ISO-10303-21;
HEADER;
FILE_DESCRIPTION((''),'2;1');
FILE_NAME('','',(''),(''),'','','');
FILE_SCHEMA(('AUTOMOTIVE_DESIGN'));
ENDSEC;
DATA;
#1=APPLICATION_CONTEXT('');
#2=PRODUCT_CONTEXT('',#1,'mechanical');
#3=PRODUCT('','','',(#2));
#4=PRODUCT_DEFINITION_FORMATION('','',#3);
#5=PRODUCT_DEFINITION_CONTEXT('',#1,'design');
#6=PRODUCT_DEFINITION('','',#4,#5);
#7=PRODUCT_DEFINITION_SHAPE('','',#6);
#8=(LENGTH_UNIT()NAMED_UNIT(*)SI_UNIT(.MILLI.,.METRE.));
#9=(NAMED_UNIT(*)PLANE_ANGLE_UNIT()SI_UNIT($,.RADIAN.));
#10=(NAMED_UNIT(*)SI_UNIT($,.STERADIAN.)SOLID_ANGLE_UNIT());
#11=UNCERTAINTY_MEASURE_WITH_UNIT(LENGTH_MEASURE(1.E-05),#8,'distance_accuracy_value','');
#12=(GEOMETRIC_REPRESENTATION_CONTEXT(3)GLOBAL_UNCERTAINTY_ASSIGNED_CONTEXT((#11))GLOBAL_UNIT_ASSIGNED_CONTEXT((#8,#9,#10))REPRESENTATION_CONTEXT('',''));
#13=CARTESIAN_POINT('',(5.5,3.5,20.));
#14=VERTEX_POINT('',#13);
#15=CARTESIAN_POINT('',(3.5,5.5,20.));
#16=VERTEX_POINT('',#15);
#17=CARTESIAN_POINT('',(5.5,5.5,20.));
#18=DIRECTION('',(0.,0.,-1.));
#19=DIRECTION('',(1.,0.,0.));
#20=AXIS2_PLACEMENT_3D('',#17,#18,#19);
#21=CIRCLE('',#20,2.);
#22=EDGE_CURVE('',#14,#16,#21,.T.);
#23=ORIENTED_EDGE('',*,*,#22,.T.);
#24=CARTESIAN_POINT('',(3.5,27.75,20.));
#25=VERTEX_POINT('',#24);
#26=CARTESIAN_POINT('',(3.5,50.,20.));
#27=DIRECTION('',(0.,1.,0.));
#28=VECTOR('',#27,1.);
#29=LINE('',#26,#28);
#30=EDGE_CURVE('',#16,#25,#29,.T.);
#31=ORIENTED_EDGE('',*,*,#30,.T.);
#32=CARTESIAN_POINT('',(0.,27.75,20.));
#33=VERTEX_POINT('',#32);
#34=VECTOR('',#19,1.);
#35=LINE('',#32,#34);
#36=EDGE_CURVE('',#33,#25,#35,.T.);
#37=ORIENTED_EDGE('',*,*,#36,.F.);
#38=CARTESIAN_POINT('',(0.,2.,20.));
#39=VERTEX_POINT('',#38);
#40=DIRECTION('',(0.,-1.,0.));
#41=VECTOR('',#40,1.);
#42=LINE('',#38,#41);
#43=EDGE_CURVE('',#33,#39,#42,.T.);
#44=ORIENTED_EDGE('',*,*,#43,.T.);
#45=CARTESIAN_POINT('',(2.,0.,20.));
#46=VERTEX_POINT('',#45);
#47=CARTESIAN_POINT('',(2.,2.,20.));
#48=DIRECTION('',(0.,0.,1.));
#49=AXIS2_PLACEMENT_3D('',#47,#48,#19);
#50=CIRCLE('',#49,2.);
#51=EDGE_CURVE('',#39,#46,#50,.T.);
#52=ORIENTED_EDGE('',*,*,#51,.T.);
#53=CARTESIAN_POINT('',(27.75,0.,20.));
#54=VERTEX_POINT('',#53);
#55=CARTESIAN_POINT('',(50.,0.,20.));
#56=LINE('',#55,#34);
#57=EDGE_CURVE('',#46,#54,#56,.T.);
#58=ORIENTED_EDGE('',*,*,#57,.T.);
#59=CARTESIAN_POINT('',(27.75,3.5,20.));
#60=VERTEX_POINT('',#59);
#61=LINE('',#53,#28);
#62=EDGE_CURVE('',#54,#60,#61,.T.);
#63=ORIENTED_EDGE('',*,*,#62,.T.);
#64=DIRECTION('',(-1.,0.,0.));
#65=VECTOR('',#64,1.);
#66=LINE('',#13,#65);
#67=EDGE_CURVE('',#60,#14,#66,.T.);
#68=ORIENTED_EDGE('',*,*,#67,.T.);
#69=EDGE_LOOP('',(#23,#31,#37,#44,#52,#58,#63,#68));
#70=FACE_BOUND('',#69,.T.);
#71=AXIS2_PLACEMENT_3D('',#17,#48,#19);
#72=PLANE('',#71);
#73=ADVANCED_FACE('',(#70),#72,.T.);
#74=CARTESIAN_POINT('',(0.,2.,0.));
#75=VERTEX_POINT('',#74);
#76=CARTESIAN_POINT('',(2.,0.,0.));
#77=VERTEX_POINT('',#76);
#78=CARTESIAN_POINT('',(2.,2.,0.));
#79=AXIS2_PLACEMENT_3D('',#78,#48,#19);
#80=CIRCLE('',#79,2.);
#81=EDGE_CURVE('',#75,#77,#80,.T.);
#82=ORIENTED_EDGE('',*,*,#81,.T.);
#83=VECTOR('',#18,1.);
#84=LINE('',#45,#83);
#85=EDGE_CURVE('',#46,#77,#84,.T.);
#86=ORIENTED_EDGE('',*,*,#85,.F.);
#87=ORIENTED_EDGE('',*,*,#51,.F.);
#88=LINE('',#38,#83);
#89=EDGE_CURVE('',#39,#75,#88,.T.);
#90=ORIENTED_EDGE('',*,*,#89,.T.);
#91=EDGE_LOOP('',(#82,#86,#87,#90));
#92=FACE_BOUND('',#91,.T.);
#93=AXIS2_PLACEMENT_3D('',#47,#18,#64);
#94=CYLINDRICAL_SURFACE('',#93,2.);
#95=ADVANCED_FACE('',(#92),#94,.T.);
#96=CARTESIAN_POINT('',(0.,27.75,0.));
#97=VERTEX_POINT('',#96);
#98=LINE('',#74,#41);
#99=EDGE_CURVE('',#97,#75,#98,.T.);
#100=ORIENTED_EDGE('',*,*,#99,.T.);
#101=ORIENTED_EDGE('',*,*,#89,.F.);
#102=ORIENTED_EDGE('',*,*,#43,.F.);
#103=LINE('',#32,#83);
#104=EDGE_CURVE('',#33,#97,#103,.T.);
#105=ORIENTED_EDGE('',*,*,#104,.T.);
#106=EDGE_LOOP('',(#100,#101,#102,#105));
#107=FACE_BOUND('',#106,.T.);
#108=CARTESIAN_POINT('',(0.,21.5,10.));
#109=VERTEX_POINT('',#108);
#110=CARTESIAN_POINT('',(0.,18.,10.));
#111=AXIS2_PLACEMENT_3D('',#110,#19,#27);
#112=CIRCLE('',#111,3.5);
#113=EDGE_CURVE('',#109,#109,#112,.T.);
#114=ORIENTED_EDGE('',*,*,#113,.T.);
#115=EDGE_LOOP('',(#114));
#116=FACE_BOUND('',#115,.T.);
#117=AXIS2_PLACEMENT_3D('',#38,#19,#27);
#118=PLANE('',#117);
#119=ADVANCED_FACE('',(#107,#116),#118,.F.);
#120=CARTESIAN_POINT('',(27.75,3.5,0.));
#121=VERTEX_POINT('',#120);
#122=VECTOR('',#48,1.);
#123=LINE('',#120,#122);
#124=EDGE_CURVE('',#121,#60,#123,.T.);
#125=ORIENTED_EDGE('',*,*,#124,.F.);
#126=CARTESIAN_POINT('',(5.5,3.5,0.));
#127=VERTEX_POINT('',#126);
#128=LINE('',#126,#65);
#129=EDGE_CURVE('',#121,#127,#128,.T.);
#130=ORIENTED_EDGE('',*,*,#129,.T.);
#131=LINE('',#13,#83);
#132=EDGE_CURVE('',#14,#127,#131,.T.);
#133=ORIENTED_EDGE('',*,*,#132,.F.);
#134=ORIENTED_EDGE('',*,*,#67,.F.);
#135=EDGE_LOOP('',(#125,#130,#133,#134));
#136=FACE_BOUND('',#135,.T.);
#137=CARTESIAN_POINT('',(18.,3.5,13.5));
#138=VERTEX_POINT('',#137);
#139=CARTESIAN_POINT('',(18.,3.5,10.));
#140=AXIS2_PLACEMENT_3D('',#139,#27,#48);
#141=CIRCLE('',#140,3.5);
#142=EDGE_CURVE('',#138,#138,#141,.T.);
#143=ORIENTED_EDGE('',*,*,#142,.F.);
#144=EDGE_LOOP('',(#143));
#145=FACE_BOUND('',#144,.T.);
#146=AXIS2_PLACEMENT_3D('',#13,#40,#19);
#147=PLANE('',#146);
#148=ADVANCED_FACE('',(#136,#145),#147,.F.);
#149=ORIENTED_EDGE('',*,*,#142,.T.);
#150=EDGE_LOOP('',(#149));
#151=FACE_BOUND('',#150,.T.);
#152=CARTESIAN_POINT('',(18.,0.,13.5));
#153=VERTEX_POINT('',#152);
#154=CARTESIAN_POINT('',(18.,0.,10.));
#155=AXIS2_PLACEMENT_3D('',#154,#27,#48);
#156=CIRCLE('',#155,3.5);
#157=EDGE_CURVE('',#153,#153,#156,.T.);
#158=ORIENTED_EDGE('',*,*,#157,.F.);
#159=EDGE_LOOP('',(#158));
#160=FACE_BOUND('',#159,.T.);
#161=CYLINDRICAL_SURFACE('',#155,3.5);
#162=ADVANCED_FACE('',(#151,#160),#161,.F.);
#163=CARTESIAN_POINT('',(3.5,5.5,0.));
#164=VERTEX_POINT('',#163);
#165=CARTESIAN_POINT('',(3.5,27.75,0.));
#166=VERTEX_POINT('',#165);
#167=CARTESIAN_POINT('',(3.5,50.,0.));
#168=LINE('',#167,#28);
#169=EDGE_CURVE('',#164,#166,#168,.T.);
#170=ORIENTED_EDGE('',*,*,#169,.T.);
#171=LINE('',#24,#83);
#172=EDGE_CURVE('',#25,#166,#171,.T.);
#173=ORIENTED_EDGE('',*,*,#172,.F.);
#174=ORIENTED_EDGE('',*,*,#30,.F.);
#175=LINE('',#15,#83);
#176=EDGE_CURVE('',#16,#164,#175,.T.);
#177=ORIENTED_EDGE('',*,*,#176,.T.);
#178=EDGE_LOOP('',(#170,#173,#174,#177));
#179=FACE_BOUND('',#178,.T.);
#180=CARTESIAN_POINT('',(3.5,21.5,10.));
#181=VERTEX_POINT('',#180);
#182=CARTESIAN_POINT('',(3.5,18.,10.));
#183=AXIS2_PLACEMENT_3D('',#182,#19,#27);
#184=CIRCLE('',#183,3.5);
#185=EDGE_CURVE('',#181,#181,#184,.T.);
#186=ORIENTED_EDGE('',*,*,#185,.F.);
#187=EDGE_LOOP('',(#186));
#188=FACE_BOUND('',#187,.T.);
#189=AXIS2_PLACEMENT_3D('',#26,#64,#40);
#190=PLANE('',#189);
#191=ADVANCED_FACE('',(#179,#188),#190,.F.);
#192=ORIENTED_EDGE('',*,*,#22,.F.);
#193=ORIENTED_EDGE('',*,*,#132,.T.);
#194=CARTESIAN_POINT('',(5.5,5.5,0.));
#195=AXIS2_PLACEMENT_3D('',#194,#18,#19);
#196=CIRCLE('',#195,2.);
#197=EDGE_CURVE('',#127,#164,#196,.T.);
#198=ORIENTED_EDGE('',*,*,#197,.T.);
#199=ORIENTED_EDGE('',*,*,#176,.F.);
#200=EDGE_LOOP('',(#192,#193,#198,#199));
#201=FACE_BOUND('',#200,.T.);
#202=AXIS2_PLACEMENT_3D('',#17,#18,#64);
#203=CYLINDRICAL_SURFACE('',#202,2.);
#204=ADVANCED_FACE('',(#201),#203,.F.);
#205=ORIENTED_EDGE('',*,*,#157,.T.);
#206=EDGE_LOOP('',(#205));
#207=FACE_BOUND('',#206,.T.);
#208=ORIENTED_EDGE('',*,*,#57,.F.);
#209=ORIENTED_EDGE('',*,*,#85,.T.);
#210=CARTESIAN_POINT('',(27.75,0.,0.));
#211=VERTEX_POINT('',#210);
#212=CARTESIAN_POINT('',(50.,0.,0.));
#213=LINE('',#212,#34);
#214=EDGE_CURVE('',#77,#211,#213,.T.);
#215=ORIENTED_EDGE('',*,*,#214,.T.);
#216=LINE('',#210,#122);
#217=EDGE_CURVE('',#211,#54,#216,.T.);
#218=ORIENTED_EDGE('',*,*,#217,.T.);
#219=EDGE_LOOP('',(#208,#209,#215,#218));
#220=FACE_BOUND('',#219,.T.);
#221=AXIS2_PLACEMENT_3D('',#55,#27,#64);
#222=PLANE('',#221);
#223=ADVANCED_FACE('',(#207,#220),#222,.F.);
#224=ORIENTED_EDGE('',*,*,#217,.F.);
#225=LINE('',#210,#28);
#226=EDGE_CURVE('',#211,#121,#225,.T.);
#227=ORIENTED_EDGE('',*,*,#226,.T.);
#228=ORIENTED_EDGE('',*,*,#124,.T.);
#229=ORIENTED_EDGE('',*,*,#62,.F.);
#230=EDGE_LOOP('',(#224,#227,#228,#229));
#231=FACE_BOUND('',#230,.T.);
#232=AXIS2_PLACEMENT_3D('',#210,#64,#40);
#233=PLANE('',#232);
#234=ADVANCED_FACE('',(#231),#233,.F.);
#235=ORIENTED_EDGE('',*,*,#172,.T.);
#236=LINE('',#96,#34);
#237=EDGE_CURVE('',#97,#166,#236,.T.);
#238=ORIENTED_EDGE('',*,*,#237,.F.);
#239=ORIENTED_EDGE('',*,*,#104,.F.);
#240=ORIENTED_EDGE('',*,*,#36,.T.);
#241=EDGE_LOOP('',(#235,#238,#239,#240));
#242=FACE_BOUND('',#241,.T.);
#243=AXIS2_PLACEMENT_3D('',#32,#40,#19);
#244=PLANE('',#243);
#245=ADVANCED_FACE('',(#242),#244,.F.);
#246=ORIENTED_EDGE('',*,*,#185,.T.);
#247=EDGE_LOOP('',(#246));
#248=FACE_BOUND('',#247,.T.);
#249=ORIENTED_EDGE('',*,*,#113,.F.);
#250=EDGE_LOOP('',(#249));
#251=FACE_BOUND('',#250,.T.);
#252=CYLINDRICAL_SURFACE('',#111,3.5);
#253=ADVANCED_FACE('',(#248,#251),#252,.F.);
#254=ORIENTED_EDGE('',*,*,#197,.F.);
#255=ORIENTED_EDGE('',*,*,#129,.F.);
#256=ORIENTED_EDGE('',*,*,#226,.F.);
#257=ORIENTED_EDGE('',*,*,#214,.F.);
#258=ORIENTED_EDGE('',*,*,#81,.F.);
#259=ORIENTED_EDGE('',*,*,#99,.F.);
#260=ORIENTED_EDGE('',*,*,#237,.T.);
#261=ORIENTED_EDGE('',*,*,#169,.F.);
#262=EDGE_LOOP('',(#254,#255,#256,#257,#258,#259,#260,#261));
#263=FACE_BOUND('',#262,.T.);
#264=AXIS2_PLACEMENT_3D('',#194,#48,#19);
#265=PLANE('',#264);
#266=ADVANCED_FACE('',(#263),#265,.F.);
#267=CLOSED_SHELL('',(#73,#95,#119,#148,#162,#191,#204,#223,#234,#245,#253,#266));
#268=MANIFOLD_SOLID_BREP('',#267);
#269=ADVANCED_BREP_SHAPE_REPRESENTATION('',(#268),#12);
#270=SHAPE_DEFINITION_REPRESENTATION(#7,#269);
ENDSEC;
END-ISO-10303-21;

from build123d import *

# Parameters (mm, degrees)
BOSS_EXTRUDE1_DEPTH = 20
SKETCH2_R           = 3.5
CUT_EXTRUDE1_DEPTH  = 4.5
SKETCH3_R           = 3.5
CUT_EXTRUDE2_DEPTH  = 4.5
SKETCH4_W           = 22.25
SKETCH4_H           = 20
CUT_EXTRUDE3_DEPTH  = 4.5
SKETCH5_W           = 20
SKETCH5_H           = 22.25
CUT_EXTRUDE4_DEPTH  = 4.5


with BuildPart() as part:
    # Sketch1 → Boss-Extrude1 (new body)
    with BuildSketch(Plane.XY):
        with BuildLine():
            Line((0, 2), (0, 50))
            Line((0, 50), (3.5, 50))
            Line((3.5, 50), (3.5, 5.5))
            ThreePointArc((3.5, 5.5), (4.085786438, 4.085786438), (5.5, 3.5))
            Line((5.5, 3.5), (50, 3.5))
            Line((50, 3.5), (50, 0))
            Line((50, 0), (2, 0))
            ThreePointArc((2, 0), (0.585786438, 0.585786438), (0, 2))
        make_face()
    extrude(amount=BOSS_EXTRUDE1_DEPTH)

    # Sketch2 → Cut-Extrude1 (cut, through all)
    with BuildSketch(Plane(origin=(0, 3.5, 0), x_dir=(1, 0, 0), z_dir=(0, 1, 0))):
        with Locations((38, -10)):
            Circle(SKETCH2_R)
        with Locations((18, -10)):
            Circle(SKETCH2_R)
    extrude(amount=-CUT_EXTRUDE1_DEPTH, mode=Mode.SUBTRACT)

    # Sketch3 → Cut-Extrude2 (cut, through all)
    with BuildSketch(Plane(origin=(3.5, 0, 0), x_dir=(0, 0, -1), z_dir=(1, 0, 0))):
        with Locations((-10, 38)):
            Circle(SKETCH3_R)
        with Locations((-10, 18)):
            Circle(SKETCH3_R)
    extrude(amount=-CUT_EXTRUDE2_DEPTH, mode=Mode.SUBTRACT)

    # Sketch4 → Cut-Extrude3 (cut, through all)
    with BuildSketch(Plane(origin=(0, 3.5, 0), x_dir=(1, 0, 0), z_dir=(0, 1, 0))):
        with Locations((38.875, -10)):
            Rectangle(SKETCH4_W, SKETCH4_H)
    extrude(amount=-CUT_EXTRUDE3_DEPTH, mode=Mode.SUBTRACT)

    # Sketch5 → Cut-Extrude4 (cut, through all)
    with BuildSketch(Plane(origin=(3.5, 0, 0), x_dir=(0, 0, -1), z_dir=(1, 0, 0))):
        with Locations((-10, 38.875)):
            Rectangle(SKETCH5_W, SKETCH5_H)
    extrude(amount=-CUT_EXTRUDE4_DEPTH, mode=Mode.SUBTRACT)


solid = part.part
